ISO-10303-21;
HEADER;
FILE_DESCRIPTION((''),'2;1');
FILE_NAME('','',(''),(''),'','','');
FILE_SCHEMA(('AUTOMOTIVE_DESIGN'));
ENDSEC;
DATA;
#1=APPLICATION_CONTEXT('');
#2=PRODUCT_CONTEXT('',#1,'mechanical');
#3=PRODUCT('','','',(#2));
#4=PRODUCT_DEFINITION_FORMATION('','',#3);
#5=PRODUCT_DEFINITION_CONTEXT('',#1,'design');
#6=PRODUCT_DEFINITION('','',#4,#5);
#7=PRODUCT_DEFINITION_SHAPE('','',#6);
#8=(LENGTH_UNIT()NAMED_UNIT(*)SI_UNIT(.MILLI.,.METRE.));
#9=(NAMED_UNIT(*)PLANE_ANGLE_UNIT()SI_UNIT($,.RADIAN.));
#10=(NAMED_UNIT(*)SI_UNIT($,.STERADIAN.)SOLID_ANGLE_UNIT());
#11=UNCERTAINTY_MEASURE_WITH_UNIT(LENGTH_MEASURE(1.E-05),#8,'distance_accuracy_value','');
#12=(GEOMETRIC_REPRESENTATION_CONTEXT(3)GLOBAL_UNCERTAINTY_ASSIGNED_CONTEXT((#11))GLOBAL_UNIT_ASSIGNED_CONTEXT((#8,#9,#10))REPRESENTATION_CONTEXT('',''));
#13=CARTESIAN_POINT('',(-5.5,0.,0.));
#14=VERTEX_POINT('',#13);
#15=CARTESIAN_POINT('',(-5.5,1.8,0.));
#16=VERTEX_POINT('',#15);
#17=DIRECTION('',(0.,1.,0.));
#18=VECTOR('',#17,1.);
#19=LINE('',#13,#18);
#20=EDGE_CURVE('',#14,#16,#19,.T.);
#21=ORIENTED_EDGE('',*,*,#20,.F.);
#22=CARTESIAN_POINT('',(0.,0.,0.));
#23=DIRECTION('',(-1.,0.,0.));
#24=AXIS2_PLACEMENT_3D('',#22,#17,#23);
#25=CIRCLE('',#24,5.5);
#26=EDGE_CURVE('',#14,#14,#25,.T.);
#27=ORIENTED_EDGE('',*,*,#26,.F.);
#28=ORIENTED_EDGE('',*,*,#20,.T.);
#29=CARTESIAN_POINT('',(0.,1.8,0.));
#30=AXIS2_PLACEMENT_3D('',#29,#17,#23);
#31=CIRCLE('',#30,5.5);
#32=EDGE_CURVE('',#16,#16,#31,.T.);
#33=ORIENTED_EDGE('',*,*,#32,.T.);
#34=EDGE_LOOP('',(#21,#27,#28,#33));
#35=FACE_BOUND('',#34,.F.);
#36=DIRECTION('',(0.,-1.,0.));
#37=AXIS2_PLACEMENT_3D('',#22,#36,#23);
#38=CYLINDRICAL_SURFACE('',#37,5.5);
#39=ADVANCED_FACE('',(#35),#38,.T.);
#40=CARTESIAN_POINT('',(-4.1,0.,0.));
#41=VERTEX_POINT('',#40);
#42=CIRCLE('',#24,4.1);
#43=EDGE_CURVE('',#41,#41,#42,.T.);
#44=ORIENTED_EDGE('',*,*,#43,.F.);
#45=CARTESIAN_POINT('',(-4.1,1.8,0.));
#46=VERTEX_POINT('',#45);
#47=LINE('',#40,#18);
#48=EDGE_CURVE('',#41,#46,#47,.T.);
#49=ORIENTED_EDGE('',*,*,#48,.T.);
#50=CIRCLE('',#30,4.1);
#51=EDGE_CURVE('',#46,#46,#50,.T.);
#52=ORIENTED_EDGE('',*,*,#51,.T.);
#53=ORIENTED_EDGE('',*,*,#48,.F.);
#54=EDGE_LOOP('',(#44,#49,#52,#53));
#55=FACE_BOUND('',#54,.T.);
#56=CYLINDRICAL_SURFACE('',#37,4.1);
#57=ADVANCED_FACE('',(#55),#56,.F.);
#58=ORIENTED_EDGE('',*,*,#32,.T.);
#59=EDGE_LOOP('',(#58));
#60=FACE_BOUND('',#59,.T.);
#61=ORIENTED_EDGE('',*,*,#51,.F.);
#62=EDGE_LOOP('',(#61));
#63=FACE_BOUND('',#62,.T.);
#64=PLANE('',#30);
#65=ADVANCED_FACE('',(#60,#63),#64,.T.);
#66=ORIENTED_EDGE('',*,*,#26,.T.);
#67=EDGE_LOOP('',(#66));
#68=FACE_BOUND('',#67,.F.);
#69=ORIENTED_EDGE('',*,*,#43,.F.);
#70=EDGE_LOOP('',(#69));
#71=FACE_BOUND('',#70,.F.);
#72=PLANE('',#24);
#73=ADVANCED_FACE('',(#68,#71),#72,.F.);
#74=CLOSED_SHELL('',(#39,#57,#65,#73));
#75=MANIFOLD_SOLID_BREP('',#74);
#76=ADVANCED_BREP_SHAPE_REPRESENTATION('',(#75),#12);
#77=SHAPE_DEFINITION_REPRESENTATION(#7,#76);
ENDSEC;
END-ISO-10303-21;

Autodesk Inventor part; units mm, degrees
ref_plane "YZ Plane" through (0, 0, 0) normal (1, 0, 0) x (0, 1, 0)
ref_plane "XZ Plane" through (0, 0, 0) normal (0, 1, 0) x (-1, 0, 0)
ref_plane "XY Plane" through (0, 0, 0) normal (0, 0, 1) x (1, 0, 0)
sketch "Sketch1" plane through (0, 0, 0) normal (0, 1, 0) x (-1, 0, 0)
  circle A0 centre (0, 0) radius 4.1
  circle A1 centre (0, 0) radius 5.5
  dimension "d0" = 8.2
  dimension "d1" = 11
extrude "Extrusion1" add sketch "Sketch1" along normal blind 1.8
properties part number "EndEffector_Stage1Spacer"
